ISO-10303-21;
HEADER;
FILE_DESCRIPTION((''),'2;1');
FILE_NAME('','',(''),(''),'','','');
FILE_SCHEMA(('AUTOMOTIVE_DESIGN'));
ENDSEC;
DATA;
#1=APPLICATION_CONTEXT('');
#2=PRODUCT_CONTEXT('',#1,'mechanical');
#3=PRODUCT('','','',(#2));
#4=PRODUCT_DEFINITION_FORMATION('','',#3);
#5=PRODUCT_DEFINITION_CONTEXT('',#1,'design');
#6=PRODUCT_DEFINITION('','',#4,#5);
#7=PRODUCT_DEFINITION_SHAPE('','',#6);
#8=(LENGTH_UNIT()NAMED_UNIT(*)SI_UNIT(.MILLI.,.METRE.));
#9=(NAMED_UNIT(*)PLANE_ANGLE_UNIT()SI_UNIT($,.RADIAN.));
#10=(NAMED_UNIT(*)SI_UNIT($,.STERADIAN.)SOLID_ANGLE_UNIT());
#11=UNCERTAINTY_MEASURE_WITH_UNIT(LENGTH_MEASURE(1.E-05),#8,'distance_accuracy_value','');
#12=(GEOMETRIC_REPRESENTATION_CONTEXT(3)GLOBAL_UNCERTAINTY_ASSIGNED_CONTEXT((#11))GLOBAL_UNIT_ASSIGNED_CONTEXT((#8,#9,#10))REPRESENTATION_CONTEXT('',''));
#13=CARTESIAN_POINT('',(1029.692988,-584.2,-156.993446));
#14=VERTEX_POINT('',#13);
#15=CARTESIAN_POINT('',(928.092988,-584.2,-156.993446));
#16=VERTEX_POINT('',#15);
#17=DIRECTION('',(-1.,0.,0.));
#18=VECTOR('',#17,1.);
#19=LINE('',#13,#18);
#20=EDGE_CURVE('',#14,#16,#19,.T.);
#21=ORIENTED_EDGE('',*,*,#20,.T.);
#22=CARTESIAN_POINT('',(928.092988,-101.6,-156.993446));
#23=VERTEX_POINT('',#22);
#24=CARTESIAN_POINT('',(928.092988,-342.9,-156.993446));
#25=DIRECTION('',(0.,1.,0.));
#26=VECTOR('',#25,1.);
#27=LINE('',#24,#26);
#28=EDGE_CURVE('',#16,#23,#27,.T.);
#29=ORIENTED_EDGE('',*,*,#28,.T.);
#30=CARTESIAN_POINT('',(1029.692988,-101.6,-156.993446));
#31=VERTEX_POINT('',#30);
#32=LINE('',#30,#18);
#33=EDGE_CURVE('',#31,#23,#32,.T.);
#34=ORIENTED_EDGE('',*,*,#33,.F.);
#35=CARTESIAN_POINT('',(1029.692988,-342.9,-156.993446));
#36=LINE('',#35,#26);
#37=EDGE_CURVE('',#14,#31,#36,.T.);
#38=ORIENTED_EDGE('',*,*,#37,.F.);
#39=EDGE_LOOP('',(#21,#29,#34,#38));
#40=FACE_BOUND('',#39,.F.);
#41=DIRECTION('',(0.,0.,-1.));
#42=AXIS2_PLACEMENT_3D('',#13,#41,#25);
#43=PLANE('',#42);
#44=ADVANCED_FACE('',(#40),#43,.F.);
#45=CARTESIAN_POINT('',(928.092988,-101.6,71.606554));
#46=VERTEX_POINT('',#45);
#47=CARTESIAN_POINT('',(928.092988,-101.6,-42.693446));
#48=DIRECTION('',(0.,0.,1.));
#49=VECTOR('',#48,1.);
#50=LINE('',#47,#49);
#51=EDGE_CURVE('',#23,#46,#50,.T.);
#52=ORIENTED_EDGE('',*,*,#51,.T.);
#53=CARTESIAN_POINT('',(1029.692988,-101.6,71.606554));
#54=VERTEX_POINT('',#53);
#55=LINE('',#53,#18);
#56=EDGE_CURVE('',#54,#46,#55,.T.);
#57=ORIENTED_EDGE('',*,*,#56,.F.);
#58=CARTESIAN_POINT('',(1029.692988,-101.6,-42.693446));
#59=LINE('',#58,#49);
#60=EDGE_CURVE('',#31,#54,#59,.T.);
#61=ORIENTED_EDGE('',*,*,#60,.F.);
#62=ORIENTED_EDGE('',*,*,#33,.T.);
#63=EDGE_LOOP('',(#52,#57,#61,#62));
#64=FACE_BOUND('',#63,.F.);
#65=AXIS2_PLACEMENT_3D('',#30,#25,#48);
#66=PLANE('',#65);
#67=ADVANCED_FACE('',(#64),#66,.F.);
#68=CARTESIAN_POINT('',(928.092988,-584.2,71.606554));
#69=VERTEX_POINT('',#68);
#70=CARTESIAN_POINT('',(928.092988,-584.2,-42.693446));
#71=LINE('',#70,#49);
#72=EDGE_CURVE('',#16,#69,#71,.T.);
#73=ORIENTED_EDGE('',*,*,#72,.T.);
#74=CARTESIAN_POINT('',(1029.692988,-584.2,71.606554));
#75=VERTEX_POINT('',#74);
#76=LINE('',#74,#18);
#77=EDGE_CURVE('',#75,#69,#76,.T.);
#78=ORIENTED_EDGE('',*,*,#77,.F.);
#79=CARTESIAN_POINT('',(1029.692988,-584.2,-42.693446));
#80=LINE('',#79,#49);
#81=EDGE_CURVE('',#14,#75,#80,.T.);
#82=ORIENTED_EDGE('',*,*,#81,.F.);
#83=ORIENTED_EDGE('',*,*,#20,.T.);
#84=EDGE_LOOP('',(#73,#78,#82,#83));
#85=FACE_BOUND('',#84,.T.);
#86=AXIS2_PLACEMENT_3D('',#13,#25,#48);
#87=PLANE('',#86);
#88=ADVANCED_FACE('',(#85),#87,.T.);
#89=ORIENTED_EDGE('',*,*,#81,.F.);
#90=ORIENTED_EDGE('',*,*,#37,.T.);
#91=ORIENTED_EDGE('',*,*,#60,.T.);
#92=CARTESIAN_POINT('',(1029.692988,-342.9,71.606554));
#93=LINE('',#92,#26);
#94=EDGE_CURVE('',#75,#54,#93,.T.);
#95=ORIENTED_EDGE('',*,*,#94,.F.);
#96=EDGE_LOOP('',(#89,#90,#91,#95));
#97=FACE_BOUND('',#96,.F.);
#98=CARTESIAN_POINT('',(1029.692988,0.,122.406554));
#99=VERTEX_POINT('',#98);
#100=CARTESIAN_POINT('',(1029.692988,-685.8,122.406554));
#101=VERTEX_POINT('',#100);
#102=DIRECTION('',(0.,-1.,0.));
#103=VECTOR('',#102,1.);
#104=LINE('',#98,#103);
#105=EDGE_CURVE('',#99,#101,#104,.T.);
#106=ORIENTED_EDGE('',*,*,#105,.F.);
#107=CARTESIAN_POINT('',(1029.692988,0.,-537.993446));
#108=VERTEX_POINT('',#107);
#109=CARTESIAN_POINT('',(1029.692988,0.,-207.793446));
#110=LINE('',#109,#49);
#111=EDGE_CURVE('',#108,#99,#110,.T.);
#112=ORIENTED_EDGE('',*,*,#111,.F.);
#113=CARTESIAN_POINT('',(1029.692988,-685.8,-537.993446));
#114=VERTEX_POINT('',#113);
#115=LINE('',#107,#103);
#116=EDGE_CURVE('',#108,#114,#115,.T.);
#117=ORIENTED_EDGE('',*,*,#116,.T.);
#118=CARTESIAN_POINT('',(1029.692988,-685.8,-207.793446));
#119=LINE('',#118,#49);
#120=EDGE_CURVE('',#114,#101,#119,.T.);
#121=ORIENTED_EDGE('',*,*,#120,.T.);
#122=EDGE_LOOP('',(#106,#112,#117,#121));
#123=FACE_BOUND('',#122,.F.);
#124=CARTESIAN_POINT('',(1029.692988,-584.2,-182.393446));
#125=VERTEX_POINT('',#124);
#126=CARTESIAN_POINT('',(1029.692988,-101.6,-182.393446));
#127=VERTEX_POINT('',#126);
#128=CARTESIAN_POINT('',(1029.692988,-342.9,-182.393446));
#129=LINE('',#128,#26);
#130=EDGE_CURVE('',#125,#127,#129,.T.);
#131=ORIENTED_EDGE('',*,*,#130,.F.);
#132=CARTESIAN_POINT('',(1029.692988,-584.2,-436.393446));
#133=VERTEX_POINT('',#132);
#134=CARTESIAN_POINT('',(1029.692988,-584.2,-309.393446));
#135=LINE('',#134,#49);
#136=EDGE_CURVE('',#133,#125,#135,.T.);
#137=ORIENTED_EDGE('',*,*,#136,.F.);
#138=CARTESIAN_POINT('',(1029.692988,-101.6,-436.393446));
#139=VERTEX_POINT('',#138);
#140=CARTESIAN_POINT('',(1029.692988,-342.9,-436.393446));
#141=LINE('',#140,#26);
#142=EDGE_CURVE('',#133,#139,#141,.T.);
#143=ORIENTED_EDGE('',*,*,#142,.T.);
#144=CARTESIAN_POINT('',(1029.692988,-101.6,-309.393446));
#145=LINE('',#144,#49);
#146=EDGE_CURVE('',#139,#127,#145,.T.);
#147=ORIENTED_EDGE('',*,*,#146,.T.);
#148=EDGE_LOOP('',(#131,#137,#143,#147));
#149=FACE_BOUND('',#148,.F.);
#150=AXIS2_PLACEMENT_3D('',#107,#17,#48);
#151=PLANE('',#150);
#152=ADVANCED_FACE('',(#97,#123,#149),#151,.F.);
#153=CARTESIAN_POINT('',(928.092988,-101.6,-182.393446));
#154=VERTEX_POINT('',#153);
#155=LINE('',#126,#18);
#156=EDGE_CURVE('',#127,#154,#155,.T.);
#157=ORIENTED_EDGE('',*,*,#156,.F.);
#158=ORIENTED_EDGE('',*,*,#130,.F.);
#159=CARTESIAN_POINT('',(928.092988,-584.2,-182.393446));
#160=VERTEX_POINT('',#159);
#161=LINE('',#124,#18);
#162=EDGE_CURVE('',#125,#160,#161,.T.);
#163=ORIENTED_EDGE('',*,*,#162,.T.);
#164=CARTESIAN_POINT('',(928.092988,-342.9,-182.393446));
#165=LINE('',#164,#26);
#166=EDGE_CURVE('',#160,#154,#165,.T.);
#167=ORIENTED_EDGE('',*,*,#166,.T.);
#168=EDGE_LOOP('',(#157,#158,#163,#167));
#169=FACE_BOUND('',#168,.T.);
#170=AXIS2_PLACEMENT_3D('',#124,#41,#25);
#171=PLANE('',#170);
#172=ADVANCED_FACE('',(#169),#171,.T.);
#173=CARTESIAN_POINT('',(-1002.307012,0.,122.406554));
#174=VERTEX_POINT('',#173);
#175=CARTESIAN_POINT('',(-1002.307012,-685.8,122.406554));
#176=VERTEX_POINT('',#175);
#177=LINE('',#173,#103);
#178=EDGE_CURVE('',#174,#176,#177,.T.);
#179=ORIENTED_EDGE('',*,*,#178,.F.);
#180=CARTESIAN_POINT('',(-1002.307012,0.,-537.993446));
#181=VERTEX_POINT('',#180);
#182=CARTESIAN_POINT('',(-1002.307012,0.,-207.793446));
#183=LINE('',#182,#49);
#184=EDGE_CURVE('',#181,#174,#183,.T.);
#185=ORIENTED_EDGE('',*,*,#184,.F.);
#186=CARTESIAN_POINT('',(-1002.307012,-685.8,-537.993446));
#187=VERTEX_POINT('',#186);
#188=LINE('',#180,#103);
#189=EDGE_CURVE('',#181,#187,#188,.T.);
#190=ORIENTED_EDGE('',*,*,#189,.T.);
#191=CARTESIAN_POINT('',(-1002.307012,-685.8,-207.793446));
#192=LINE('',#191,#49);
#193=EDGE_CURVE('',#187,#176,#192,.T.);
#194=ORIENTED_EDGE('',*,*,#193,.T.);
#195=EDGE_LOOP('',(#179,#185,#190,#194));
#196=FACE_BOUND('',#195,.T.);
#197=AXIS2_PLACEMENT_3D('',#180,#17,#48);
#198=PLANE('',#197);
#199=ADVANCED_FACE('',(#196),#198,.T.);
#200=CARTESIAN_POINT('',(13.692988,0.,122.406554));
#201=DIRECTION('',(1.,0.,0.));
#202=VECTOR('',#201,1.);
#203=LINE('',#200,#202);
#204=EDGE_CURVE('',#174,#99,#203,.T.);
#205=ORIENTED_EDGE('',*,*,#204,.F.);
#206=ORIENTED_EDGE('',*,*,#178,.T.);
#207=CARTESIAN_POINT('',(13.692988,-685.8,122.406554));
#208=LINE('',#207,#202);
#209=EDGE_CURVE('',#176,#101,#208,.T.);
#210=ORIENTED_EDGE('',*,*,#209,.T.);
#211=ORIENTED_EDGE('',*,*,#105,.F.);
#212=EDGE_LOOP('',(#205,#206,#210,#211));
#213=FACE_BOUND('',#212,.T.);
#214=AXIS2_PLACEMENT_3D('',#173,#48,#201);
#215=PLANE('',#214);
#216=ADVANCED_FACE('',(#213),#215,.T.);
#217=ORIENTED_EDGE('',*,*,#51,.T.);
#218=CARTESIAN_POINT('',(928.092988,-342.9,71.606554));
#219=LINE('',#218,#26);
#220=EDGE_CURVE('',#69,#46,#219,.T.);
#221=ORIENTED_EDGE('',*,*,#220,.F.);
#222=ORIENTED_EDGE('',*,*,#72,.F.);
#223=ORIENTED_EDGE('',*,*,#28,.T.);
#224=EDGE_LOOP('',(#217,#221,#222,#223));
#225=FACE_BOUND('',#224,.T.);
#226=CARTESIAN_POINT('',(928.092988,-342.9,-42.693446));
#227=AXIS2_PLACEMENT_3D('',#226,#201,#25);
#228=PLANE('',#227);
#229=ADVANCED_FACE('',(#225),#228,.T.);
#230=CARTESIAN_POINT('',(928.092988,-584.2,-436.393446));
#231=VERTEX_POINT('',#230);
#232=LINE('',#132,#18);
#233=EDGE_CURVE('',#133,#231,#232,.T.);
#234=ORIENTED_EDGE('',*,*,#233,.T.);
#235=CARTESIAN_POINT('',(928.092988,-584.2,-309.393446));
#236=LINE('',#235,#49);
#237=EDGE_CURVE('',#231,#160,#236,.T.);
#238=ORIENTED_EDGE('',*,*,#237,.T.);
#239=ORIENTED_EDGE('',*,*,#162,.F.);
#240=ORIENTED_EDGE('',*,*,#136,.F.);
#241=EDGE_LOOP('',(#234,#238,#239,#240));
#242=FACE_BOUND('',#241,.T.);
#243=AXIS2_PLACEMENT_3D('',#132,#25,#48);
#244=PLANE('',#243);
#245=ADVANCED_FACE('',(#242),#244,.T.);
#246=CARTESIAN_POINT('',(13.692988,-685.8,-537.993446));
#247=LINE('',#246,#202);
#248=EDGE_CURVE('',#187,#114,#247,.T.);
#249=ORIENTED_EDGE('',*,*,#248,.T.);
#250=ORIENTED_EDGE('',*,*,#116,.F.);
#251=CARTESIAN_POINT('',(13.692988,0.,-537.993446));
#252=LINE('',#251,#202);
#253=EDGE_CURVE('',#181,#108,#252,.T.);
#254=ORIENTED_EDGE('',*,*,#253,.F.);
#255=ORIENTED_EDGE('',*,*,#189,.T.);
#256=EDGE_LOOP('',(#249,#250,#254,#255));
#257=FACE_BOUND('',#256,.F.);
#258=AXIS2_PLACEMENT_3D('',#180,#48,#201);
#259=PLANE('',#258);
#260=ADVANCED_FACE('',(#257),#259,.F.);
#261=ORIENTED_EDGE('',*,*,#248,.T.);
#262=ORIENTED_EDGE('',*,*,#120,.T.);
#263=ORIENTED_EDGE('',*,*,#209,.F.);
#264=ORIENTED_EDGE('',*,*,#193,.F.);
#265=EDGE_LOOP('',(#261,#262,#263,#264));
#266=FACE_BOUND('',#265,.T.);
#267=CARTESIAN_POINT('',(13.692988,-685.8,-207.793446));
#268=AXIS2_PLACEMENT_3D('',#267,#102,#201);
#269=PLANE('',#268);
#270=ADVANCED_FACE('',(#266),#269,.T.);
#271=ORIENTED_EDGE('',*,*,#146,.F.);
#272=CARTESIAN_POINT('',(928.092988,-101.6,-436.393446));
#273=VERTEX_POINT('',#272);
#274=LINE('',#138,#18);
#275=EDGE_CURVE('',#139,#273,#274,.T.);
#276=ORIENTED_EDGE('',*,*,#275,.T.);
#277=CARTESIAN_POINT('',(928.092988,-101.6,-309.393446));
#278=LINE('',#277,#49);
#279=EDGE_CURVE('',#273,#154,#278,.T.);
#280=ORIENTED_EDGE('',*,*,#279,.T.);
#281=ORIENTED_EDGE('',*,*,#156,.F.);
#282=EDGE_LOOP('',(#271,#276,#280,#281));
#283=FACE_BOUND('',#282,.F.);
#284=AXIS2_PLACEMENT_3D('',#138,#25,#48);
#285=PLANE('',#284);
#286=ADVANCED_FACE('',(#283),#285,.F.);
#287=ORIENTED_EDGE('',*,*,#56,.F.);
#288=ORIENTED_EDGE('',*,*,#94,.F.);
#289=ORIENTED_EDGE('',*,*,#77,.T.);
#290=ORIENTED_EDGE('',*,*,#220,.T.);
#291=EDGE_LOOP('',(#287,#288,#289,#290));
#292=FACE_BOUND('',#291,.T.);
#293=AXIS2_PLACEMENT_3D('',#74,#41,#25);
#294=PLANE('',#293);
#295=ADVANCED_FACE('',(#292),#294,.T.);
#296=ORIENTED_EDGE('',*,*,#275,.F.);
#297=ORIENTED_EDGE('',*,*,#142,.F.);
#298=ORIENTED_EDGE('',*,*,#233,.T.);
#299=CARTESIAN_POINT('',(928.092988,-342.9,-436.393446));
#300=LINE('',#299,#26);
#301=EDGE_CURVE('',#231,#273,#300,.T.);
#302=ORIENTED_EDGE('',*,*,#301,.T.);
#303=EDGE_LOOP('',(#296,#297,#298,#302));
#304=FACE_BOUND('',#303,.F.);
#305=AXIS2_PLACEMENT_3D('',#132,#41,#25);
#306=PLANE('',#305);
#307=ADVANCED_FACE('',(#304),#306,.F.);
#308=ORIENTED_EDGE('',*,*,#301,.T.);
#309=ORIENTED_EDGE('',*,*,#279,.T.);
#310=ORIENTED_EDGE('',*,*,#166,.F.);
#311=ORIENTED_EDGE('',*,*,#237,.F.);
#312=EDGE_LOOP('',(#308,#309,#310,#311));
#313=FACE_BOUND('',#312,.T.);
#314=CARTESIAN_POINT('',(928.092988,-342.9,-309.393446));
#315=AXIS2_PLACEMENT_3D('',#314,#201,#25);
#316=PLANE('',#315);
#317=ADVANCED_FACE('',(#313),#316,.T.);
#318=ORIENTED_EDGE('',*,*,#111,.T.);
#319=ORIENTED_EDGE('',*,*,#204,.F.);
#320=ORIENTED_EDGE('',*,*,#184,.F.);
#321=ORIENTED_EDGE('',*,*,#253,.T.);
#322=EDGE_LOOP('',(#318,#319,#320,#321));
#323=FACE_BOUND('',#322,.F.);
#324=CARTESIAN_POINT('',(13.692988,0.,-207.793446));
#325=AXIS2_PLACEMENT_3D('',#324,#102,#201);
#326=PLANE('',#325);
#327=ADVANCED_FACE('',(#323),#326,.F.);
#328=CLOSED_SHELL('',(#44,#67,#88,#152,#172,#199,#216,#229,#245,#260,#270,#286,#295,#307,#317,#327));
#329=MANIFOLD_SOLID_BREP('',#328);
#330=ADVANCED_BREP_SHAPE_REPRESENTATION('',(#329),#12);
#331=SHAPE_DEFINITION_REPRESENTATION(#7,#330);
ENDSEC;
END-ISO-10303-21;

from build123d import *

# Parameters (mm, degrees)
F0_W     = 2032
F0_H     = 660.4
F1_DEPTH = 685.8
F2_W     = 482.6
F2_H     = 228.6
F2_H_2   = 254
F3_DEPTH = 101.6
F4_W     = 482.6
F4_H     = 254
F5_DEPTH = 101.6


with BuildPart() as f1:
    # F0 (on Front) → F1 (new body)
    with BuildSketch(Plane.XZ):
        with Locations((13.692988, -207.793446)):
            Rectangle(F0_W, F0_H)
    extrude(amount=F1_DEPTH)

    # F2 (on face) → F3 (cut)
    with BuildSketch(Plane.YZ.offset(1029.692988)):
        with Locations((-342.9, -42.693446)):
            Rectangle(F2_W, F2_H)
        with Locations((-342.9, -309.393446)):
            Rectangle(F2_W, F2_H_2)
    extrude(amount=-F3_DEPTH, mode=Mode.SUBTRACT)

    # F4 (on face) → F5 (join)
    with BuildSketch(Plane(origin=(-1002.307012, 0, 0), x_dir=(0, -1, 0), z_dir=(-1, 0, 0))):
        with Locations((342.9, -55.393446)):
            Rectangle(F4_W, F4_H)
        with Locations((342.9, -334.793446)):
            Rectangle(F4_W, F4_H)
    extrude(amount=-F5_DEPTH)


solid = f1.part
